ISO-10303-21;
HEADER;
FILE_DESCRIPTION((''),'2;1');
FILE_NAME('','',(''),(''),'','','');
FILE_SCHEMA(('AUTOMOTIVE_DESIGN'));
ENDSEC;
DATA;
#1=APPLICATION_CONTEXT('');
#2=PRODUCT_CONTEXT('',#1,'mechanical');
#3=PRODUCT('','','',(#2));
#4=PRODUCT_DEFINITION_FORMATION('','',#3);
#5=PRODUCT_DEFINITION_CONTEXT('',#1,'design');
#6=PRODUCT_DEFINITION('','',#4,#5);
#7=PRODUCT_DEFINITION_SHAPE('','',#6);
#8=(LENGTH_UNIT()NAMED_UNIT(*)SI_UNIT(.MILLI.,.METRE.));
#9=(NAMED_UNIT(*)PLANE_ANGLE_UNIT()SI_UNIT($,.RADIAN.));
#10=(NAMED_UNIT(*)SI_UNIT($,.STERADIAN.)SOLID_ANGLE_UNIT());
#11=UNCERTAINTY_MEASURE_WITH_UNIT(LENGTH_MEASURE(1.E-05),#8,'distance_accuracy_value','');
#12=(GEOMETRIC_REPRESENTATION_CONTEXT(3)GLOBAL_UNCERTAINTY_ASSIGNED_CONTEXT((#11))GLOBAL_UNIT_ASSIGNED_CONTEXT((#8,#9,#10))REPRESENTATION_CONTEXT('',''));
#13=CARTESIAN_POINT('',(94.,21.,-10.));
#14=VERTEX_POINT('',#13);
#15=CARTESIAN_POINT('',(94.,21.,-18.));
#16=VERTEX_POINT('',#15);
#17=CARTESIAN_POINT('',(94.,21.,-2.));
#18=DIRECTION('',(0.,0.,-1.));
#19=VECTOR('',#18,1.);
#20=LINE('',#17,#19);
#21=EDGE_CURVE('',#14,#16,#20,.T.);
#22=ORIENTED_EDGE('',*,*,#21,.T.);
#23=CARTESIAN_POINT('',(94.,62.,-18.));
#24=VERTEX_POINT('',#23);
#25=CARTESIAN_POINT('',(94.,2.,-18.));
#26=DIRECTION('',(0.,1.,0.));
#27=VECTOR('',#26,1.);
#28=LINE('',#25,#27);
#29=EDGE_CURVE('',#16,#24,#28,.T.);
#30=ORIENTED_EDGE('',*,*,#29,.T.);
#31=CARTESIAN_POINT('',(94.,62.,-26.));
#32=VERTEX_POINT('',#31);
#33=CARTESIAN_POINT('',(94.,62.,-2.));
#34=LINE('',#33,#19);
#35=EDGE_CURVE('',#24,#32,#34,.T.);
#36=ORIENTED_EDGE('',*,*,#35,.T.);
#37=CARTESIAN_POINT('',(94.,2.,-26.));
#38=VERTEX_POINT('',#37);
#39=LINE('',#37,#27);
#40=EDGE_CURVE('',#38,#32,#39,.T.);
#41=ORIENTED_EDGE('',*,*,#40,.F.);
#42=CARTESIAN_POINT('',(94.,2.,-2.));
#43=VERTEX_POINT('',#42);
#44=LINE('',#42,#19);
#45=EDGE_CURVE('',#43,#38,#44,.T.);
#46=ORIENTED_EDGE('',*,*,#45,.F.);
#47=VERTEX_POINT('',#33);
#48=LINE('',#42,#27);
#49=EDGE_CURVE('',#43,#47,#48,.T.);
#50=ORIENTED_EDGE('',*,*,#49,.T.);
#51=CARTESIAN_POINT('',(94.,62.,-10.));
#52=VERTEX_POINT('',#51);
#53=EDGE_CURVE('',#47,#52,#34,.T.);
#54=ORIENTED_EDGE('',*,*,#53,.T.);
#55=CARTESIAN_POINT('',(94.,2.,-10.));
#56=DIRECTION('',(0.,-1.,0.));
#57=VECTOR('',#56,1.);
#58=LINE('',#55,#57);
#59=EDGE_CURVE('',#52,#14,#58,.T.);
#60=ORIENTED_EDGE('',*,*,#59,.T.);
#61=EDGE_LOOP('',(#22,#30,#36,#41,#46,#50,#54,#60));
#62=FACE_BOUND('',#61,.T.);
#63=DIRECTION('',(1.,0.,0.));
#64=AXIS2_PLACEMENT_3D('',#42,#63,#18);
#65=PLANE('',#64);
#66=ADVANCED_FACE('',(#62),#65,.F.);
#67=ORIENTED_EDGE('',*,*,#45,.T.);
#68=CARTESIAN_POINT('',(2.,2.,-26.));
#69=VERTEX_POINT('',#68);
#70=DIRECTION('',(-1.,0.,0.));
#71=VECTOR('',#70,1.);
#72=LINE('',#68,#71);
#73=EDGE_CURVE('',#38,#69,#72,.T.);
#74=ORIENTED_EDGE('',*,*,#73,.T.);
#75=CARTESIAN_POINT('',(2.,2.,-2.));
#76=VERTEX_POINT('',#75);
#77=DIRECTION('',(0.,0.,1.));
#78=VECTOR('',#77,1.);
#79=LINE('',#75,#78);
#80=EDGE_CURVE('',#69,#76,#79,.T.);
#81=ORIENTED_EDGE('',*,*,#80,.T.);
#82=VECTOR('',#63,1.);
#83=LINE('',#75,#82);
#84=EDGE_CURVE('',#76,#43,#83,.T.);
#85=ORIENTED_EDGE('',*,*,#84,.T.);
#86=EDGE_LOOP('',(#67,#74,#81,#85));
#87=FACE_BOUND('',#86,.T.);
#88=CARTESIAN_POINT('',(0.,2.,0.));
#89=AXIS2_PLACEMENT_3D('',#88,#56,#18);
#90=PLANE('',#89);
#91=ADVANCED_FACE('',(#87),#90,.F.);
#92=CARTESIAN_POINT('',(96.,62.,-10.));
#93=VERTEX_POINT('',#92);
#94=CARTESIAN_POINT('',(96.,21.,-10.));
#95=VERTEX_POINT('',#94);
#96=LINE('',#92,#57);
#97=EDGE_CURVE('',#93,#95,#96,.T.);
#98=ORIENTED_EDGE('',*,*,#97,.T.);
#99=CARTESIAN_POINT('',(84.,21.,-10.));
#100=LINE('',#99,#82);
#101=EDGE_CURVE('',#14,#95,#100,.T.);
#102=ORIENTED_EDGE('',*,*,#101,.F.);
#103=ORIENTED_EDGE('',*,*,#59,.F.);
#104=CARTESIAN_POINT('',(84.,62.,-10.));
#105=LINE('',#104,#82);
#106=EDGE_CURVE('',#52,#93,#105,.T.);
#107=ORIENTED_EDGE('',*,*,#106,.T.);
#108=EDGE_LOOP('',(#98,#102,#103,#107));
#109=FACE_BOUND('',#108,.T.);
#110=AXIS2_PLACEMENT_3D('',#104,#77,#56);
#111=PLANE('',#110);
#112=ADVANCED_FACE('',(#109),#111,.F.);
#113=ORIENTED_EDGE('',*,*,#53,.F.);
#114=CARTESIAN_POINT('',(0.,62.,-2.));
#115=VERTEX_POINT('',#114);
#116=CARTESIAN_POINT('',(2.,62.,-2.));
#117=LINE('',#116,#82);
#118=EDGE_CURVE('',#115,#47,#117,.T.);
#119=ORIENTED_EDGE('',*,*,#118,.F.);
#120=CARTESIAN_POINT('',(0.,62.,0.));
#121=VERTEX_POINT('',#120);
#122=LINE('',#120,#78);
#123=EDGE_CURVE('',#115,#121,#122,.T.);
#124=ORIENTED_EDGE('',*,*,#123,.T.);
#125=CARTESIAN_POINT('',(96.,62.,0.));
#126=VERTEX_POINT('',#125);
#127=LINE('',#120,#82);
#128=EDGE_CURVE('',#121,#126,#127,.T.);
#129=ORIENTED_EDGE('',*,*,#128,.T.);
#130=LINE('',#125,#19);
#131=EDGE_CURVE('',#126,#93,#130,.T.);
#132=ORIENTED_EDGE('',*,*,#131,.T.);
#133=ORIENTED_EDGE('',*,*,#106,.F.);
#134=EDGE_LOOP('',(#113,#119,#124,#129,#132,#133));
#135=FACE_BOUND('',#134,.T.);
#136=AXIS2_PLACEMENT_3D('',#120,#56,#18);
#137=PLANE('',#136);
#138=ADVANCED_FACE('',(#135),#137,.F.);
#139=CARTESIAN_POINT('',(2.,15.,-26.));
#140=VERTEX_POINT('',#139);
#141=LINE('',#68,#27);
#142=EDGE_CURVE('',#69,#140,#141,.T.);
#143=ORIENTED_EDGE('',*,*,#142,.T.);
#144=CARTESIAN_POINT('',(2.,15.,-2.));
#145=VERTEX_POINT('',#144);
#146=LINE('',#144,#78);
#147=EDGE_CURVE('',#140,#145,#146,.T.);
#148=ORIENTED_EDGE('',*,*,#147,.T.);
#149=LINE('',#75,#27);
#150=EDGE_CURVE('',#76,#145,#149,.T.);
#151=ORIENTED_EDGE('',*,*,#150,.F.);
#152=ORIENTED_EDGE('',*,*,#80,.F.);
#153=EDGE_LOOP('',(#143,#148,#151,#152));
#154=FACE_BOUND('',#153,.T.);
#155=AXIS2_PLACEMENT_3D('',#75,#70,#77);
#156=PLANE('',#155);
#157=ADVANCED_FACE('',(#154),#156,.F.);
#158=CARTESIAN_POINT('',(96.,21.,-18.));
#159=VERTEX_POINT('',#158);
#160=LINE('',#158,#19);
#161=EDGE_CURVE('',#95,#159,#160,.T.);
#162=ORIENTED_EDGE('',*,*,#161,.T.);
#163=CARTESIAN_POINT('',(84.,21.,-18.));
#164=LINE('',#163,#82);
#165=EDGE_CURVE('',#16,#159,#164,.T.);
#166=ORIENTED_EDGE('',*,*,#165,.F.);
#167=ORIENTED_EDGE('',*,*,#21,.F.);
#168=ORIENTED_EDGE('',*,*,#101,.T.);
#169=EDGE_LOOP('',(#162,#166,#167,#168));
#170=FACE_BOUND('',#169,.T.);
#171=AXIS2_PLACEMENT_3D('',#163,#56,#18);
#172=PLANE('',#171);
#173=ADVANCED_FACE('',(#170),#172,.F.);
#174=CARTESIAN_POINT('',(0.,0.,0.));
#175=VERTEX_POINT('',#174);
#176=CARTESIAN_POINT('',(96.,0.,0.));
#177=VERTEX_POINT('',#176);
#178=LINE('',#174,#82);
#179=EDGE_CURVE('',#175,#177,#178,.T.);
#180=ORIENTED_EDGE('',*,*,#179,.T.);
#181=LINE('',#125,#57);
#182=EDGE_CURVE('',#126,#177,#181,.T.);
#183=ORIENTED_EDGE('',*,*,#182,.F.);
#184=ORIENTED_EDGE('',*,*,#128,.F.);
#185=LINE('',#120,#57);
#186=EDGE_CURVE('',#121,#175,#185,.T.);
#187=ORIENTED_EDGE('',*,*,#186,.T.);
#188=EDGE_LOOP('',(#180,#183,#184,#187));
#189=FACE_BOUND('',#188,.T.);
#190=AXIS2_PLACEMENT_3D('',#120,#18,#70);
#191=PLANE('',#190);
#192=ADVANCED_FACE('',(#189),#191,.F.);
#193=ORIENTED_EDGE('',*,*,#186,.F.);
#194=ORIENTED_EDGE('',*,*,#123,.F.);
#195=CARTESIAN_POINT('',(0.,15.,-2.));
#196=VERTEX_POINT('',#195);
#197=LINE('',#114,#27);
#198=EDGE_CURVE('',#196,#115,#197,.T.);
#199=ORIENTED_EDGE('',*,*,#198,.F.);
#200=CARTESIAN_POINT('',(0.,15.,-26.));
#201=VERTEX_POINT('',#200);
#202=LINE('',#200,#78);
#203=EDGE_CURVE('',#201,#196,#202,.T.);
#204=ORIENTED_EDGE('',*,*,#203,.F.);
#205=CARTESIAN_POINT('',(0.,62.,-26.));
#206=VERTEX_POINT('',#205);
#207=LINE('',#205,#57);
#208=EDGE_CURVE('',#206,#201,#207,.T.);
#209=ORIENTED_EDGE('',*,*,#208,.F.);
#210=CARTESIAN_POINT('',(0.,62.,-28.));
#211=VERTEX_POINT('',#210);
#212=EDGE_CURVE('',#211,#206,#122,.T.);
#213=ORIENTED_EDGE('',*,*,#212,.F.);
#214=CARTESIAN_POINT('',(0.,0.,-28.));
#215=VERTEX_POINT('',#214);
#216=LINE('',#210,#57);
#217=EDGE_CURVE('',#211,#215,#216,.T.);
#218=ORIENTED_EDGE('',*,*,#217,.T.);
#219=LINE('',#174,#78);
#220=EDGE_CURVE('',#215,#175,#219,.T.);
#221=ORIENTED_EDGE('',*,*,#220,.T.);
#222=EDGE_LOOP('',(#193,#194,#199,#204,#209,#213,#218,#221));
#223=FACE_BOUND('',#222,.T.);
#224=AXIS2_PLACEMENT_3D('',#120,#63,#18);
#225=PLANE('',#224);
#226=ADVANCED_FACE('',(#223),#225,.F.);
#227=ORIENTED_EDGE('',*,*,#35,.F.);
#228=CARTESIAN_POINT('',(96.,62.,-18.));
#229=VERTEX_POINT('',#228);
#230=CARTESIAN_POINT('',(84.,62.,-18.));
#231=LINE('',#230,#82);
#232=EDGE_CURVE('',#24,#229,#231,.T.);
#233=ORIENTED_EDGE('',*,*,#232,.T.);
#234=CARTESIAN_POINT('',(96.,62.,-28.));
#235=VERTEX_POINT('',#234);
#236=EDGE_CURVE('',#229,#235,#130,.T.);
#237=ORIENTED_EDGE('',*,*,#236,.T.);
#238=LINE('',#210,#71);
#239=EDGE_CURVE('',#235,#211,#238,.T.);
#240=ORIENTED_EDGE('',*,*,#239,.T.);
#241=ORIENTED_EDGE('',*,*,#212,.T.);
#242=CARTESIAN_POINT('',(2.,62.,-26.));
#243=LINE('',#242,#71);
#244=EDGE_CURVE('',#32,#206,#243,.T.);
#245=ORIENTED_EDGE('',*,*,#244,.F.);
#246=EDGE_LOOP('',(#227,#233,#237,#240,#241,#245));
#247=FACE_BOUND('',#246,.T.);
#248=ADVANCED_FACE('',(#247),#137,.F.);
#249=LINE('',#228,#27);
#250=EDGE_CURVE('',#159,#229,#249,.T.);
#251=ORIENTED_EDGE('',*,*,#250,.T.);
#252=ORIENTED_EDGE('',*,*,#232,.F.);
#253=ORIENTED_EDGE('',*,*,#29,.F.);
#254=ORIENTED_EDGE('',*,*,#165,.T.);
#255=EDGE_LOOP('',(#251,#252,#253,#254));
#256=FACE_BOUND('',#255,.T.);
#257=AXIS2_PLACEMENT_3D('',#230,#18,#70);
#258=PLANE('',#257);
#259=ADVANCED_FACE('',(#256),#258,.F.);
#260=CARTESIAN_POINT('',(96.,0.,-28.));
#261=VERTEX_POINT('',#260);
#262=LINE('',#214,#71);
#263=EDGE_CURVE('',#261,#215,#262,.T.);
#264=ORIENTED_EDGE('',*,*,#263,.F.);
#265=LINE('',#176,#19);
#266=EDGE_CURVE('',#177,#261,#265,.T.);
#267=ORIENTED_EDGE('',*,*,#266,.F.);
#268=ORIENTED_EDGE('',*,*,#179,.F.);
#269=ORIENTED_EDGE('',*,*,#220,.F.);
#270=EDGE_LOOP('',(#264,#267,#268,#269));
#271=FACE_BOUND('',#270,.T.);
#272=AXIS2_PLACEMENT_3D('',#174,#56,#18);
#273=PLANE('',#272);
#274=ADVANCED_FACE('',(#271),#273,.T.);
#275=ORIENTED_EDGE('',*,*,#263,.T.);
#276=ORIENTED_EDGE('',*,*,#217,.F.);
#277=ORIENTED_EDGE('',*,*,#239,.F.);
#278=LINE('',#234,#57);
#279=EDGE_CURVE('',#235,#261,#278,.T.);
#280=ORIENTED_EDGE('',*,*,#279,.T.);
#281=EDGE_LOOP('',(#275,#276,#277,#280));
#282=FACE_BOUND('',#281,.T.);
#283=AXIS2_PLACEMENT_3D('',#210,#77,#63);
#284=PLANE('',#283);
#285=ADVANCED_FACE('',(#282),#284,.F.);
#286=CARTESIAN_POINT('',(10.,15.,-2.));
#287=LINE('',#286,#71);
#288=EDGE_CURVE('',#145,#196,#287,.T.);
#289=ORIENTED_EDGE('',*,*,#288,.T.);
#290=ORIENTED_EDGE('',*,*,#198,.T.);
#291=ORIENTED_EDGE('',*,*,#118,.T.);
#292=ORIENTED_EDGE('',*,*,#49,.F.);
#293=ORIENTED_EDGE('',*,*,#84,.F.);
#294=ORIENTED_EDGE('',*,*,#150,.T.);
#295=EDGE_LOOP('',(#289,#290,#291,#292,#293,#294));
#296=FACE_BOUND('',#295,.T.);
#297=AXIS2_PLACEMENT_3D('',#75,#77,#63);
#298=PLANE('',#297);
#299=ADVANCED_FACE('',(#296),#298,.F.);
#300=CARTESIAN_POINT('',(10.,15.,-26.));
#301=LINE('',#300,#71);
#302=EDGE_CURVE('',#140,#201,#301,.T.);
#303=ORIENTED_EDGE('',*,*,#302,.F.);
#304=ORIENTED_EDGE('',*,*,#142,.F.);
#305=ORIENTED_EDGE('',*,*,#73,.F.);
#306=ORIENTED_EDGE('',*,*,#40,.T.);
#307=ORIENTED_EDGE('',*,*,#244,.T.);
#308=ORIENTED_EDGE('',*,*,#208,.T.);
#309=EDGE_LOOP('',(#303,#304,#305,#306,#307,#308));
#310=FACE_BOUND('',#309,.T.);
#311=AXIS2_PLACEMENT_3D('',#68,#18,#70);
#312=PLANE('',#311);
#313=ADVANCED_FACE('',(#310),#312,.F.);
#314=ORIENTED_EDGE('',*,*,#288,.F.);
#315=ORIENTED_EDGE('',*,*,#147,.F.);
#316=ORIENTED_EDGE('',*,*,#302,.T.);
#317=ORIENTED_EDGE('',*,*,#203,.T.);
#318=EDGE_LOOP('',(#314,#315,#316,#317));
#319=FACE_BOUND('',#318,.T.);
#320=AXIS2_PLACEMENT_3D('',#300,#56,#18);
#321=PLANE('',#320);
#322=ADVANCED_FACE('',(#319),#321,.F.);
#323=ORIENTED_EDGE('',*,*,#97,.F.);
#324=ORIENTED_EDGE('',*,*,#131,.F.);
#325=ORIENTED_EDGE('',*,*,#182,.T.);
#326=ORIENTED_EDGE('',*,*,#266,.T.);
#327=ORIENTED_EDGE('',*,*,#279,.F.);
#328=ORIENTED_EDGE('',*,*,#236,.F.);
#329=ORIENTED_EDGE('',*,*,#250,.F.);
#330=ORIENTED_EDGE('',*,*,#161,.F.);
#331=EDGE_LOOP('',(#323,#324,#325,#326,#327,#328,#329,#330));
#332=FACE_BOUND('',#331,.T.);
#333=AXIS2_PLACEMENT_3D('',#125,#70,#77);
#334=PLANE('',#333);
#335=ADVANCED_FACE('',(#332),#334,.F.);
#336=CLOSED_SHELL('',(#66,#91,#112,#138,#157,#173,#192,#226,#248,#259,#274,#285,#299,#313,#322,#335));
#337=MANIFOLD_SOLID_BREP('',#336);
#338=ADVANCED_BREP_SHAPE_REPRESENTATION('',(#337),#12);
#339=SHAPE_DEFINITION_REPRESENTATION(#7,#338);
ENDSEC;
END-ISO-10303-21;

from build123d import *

# Parameters (mm, degrees)
SKETCH1_W           = 96
SKETCH1_H           = 28
BOSS_EXTRUDE1_DEPTH = 62
SKETCH2_W           = 92
SKETCH2_H           = 24
CUT_EXTRUDE1_DEPTH  = 60
SKETCH3_W           = 8
SKETCH3_H           = 41
CUT_EXTRUDE2_DEPTH  = 12
SKETCH4_W           = 24
SKETCH4_H           = 47
CUT_EXTRUDE3_DEPTH  = 10


with BuildPart() as part:
    # Sketch1 → Boss-Extrude1 (new body)
    with BuildSketch(Plane(origin=(0, 0, 0), x_dir=(1, 0, 0), z_dir=(0, 1, 0))):
        with Locations((48, 14)):
            Rectangle(SKETCH1_W, SKETCH1_H)
    extrude(amount=BOSS_EXTRUDE1_DEPTH)

    # Sketch2 → Cut-Extrude1 (cut)
    with BuildSketch(Plane(origin=(0, 62, 0), x_dir=(1, 0, 0), z_dir=(0, 1, 0))):
        with Locations((48, 14)):
            Rectangle(SKETCH2_W, SKETCH2_H)
    extrude(amount=-CUT_EXTRUDE1_DEPTH, mode=Mode.SUBTRACT)

    # Sketch3 → Cut-Extrude2 (cut)
    with BuildSketch(Plane(origin=(96, 0, 0), x_dir=(0, 0, -1), z_dir=(1, 0, 0))):
        with Locations((14, 41.5)):
            Rectangle(SKETCH3_W, SKETCH3_H)
    extrude(amount=-CUT_EXTRUDE2_DEPTH, mode=Mode.SUBTRACT)

    # Sketch4 → Cut-Extrude3 (cut)
    with BuildSketch(Plane.ZY):
        with Locations((-14, 38.5)):
            Rectangle(SKETCH4_W, SKETCH4_H)
    extrude(amount=-CUT_EXTRUDE3_DEPTH, mode=Mode.SUBTRACT)


solid = part.part
